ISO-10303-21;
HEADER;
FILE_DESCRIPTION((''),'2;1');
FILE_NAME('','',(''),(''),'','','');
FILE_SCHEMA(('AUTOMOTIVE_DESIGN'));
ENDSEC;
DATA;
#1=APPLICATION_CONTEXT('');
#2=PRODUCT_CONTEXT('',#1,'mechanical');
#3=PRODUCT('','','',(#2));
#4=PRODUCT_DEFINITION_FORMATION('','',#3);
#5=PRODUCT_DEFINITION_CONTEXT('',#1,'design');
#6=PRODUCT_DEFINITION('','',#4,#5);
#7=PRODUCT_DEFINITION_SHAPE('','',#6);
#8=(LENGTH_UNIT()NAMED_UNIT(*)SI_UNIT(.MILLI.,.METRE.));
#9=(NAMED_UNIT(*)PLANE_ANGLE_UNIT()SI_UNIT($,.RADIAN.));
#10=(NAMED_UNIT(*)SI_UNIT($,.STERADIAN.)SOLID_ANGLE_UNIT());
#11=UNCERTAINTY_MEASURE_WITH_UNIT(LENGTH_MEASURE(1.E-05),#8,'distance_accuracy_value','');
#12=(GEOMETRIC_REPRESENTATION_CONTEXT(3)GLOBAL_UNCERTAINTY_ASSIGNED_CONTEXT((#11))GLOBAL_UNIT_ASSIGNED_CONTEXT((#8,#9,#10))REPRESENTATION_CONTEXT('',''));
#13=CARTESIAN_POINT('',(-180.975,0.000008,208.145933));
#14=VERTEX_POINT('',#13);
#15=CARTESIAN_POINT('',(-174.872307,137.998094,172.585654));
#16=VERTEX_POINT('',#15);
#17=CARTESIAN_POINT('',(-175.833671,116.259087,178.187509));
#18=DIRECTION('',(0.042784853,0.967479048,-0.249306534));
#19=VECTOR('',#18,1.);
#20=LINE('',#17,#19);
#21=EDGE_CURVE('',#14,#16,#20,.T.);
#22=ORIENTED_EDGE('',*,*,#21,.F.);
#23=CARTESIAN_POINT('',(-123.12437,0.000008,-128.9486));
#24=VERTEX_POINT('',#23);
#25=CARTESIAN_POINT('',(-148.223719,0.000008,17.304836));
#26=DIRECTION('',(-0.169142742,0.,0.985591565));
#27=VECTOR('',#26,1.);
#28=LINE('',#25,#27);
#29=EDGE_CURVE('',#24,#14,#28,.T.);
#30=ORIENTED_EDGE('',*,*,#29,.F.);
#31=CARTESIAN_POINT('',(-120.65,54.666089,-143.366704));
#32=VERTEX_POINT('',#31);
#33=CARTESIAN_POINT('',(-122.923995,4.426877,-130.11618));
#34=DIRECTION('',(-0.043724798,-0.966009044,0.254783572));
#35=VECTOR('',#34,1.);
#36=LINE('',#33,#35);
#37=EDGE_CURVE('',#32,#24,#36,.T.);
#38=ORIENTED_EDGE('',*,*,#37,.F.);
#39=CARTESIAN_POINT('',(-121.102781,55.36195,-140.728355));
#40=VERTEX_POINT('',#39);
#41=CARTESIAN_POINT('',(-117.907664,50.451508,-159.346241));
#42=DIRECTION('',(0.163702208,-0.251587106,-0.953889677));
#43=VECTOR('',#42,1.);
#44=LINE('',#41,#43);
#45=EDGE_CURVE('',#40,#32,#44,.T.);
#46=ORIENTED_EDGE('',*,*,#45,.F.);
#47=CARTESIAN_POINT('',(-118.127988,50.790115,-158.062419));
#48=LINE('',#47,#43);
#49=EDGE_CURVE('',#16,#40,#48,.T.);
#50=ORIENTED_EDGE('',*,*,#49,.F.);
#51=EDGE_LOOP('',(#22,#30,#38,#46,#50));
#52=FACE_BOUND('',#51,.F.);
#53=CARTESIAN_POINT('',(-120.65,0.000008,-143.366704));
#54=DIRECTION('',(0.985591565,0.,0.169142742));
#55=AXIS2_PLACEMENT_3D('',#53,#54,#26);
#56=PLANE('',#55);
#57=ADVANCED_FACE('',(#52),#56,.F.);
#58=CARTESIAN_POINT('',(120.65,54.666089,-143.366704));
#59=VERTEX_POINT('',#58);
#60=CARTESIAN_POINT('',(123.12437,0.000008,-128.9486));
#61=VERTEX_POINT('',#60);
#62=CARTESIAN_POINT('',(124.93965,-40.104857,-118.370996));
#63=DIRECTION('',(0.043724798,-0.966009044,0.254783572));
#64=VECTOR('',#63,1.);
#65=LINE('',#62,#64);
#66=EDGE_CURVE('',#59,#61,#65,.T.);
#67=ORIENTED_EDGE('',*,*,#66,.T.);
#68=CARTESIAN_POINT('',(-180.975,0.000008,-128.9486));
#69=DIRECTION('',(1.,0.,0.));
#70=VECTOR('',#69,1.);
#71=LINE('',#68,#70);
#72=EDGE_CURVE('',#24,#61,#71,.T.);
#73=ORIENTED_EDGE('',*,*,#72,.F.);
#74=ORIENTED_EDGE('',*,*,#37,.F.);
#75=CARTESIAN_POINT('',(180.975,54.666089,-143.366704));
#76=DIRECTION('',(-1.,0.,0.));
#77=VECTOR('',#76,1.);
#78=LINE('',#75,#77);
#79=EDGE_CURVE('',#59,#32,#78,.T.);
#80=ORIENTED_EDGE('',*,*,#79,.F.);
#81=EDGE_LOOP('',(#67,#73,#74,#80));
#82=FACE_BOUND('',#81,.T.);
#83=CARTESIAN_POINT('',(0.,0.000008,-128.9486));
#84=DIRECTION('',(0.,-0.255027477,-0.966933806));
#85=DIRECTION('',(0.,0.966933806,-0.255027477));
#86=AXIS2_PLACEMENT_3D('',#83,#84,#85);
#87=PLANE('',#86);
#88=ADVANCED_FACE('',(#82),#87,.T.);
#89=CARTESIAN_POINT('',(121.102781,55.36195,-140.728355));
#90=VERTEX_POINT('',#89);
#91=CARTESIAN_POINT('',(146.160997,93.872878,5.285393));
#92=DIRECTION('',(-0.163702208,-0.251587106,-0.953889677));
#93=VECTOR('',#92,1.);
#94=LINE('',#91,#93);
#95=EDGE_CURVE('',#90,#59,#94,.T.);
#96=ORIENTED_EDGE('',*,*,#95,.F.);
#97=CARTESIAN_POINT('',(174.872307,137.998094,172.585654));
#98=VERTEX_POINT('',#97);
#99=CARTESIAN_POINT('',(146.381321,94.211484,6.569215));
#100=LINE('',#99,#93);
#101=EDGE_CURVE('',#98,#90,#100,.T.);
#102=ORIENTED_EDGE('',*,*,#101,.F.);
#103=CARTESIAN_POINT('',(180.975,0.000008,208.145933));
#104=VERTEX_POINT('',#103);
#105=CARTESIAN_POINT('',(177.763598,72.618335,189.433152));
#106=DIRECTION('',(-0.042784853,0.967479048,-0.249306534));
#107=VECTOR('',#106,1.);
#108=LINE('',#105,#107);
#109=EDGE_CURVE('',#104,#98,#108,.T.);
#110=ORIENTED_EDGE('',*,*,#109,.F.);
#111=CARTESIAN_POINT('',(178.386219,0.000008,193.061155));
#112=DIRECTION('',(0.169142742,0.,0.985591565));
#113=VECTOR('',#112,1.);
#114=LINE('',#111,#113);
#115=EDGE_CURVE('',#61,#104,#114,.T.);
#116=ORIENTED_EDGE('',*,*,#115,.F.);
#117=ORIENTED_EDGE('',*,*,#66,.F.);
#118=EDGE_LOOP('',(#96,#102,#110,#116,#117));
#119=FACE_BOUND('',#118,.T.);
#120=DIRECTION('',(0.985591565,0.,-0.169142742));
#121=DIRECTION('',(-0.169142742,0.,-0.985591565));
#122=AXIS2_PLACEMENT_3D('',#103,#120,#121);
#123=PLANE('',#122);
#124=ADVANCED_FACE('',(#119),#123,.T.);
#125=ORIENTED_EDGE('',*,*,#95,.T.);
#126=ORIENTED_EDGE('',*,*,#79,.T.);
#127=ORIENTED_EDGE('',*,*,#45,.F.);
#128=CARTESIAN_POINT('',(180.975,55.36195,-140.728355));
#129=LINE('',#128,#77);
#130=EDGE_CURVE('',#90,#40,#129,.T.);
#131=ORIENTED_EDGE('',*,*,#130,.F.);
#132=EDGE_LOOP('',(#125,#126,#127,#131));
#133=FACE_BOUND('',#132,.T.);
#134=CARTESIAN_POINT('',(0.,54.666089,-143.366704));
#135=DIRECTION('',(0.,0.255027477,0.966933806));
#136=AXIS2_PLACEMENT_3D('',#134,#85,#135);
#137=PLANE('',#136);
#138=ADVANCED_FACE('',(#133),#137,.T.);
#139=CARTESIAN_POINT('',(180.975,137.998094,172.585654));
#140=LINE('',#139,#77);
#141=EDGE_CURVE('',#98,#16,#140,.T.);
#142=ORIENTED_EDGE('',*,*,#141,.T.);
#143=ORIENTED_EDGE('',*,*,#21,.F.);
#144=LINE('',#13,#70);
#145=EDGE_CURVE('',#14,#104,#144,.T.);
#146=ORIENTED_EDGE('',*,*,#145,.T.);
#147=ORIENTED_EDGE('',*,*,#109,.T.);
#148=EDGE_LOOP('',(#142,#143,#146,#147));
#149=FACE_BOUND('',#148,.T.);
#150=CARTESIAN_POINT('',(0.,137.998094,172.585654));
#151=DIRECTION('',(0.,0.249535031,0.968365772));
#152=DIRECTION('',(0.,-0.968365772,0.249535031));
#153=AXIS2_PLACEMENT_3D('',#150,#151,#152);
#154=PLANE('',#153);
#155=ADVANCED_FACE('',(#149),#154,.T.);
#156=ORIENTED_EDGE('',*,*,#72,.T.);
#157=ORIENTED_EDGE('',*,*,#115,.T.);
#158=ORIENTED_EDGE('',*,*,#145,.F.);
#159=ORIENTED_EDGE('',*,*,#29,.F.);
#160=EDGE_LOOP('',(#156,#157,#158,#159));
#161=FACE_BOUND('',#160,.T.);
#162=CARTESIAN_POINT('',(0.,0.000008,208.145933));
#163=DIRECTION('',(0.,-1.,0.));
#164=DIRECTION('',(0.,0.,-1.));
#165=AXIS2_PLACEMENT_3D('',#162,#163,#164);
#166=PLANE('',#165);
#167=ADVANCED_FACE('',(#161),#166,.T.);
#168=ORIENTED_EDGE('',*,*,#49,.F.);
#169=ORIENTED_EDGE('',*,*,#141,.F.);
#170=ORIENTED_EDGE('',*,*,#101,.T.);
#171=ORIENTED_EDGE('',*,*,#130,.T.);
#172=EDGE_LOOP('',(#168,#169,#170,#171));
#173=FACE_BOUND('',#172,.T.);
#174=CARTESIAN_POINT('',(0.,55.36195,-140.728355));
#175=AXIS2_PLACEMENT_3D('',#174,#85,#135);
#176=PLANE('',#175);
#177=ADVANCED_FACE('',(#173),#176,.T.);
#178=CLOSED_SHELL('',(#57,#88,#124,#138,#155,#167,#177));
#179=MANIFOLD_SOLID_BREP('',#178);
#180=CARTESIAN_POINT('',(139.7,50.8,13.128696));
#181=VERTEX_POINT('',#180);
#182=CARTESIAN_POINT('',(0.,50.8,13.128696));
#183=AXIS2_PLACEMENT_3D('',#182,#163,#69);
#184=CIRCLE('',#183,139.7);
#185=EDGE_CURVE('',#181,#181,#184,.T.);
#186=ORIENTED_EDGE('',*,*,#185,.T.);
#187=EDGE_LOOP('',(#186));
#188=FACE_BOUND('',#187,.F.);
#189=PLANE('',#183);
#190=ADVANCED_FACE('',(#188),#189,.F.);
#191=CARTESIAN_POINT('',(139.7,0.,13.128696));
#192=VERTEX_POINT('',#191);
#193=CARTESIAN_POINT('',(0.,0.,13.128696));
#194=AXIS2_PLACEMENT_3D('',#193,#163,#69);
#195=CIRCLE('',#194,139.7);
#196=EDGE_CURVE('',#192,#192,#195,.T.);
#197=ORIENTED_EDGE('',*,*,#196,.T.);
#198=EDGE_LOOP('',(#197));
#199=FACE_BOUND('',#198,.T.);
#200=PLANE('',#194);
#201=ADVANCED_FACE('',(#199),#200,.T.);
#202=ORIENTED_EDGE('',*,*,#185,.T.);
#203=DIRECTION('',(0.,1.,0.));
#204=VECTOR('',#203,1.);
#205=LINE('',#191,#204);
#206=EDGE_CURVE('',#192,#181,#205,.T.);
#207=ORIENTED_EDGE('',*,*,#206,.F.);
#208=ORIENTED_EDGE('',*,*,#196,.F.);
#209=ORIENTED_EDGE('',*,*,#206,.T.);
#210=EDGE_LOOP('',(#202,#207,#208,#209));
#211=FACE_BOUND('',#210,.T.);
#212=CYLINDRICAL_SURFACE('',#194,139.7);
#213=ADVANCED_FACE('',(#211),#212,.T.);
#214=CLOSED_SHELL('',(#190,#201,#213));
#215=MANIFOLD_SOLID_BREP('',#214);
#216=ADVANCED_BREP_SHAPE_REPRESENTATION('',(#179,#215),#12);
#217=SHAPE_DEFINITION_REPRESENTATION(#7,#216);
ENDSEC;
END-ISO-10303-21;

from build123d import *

# Parameters (mm, degrees)
F1_DEPTH = 180.975
F4_DEPTH = 152.4
F5_R     = 139.7
F6_DEPTH = 50.8


with BuildPart() as f1:
    # F0 (on Right) → F1 (new body, symmetric)
    with BuildSketch(Plane.YZ):
        Polygon((96.7011995311, 199.1207802254), (-41.2968869365, 234.6810589562), (-41.2968869365, -100.4281210136), (-41.2968869365, -102.4134735519), (13.3691944888, -116.8315782163), (14.0650554855, -114.1932290856), align=None)
    extrude(amount=F1_DEPTH, both=True)


with BuildPart() as f1_1:
    # F2: moved
    add(f1.part.moved(Location((0, 41.2968948, -26.535126))))

    # F3 (on face) → F4 (cut, symmetric)
    with BuildSketch(Plane.XZ.offset(-7.8635e-06)):
        Polygon((180.975, 208.1459329562), (120.65, -143.3667042163), (410.69722442, -143.3667042163), align=None)
        Polygon((-410.69722442, -143.3667042163), (-120.65, -143.3667042163), (-180.975, 208.1459329562), align=None)
    extrude(amount=F4_DEPTH, both=True, mode=Mode.SUBTRACT)


with BuildPart() as f6:
    # F5 (on Front) → F6 (new body)
    with BuildSketch(Plane.XZ):
        with Locations((0, 13.1286960095)):
            Circle(F5_R)
    extrude(amount=-F6_DEPTH)


solid = Compound([f1_1.part, f6.part])
